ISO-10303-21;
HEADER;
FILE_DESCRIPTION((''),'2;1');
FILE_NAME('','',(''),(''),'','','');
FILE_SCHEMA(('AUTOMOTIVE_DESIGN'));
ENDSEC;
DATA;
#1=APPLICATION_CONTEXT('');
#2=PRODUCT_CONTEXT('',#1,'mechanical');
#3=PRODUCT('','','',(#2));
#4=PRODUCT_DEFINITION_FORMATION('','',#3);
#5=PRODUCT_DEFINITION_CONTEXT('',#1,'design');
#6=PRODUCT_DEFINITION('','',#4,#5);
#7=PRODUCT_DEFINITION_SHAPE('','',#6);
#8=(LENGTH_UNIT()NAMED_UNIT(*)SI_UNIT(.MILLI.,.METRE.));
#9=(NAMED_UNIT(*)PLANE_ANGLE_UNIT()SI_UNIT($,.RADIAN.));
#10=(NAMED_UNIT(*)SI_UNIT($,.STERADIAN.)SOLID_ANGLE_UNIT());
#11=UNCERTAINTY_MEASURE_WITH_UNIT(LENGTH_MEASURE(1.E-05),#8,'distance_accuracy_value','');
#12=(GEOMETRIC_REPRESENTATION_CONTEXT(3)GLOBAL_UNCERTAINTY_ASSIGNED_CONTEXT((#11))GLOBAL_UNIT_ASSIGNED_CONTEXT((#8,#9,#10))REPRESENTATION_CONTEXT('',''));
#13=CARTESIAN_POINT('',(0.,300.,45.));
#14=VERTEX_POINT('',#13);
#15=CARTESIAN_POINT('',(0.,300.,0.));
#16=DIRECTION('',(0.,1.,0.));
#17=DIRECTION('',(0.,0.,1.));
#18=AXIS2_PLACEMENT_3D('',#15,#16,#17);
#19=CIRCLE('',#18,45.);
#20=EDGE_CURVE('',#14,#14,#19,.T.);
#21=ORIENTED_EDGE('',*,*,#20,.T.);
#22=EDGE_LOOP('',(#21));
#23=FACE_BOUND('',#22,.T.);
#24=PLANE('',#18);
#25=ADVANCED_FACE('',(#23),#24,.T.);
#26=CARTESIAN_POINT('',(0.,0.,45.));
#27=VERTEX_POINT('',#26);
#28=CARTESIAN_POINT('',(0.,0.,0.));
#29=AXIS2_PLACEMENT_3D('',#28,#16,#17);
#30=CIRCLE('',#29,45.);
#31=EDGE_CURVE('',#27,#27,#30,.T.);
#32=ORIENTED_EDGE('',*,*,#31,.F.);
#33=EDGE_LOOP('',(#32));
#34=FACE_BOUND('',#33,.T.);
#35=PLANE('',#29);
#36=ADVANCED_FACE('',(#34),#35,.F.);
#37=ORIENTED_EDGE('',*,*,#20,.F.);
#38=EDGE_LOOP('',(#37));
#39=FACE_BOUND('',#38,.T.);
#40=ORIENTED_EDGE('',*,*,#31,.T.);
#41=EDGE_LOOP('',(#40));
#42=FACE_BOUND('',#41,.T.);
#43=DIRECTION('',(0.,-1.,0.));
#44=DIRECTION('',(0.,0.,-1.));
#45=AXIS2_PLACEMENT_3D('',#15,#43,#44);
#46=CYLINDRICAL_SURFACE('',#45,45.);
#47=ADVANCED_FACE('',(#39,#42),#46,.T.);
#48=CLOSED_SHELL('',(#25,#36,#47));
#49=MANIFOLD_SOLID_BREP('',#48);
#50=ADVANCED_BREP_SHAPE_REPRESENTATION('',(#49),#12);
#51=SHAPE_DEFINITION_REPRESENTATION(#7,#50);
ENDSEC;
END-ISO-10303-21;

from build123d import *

# Parameters (mm, degrees)
SKETCH1_R           = 45
BOSS_EXTRUDE1_DEPTH = 300


with BuildPart() as part:
    # Sketch1 → Boss-Extrude1 (new body)
    with BuildSketch(Plane(origin=(0, 0, 0), x_dir=(1, 0, 0), z_dir=(0, 1, 0))):
        Circle(SKETCH1_R)
    extrude(amount=BOSS_EXTRUDE1_DEPTH)


solid = part.part
